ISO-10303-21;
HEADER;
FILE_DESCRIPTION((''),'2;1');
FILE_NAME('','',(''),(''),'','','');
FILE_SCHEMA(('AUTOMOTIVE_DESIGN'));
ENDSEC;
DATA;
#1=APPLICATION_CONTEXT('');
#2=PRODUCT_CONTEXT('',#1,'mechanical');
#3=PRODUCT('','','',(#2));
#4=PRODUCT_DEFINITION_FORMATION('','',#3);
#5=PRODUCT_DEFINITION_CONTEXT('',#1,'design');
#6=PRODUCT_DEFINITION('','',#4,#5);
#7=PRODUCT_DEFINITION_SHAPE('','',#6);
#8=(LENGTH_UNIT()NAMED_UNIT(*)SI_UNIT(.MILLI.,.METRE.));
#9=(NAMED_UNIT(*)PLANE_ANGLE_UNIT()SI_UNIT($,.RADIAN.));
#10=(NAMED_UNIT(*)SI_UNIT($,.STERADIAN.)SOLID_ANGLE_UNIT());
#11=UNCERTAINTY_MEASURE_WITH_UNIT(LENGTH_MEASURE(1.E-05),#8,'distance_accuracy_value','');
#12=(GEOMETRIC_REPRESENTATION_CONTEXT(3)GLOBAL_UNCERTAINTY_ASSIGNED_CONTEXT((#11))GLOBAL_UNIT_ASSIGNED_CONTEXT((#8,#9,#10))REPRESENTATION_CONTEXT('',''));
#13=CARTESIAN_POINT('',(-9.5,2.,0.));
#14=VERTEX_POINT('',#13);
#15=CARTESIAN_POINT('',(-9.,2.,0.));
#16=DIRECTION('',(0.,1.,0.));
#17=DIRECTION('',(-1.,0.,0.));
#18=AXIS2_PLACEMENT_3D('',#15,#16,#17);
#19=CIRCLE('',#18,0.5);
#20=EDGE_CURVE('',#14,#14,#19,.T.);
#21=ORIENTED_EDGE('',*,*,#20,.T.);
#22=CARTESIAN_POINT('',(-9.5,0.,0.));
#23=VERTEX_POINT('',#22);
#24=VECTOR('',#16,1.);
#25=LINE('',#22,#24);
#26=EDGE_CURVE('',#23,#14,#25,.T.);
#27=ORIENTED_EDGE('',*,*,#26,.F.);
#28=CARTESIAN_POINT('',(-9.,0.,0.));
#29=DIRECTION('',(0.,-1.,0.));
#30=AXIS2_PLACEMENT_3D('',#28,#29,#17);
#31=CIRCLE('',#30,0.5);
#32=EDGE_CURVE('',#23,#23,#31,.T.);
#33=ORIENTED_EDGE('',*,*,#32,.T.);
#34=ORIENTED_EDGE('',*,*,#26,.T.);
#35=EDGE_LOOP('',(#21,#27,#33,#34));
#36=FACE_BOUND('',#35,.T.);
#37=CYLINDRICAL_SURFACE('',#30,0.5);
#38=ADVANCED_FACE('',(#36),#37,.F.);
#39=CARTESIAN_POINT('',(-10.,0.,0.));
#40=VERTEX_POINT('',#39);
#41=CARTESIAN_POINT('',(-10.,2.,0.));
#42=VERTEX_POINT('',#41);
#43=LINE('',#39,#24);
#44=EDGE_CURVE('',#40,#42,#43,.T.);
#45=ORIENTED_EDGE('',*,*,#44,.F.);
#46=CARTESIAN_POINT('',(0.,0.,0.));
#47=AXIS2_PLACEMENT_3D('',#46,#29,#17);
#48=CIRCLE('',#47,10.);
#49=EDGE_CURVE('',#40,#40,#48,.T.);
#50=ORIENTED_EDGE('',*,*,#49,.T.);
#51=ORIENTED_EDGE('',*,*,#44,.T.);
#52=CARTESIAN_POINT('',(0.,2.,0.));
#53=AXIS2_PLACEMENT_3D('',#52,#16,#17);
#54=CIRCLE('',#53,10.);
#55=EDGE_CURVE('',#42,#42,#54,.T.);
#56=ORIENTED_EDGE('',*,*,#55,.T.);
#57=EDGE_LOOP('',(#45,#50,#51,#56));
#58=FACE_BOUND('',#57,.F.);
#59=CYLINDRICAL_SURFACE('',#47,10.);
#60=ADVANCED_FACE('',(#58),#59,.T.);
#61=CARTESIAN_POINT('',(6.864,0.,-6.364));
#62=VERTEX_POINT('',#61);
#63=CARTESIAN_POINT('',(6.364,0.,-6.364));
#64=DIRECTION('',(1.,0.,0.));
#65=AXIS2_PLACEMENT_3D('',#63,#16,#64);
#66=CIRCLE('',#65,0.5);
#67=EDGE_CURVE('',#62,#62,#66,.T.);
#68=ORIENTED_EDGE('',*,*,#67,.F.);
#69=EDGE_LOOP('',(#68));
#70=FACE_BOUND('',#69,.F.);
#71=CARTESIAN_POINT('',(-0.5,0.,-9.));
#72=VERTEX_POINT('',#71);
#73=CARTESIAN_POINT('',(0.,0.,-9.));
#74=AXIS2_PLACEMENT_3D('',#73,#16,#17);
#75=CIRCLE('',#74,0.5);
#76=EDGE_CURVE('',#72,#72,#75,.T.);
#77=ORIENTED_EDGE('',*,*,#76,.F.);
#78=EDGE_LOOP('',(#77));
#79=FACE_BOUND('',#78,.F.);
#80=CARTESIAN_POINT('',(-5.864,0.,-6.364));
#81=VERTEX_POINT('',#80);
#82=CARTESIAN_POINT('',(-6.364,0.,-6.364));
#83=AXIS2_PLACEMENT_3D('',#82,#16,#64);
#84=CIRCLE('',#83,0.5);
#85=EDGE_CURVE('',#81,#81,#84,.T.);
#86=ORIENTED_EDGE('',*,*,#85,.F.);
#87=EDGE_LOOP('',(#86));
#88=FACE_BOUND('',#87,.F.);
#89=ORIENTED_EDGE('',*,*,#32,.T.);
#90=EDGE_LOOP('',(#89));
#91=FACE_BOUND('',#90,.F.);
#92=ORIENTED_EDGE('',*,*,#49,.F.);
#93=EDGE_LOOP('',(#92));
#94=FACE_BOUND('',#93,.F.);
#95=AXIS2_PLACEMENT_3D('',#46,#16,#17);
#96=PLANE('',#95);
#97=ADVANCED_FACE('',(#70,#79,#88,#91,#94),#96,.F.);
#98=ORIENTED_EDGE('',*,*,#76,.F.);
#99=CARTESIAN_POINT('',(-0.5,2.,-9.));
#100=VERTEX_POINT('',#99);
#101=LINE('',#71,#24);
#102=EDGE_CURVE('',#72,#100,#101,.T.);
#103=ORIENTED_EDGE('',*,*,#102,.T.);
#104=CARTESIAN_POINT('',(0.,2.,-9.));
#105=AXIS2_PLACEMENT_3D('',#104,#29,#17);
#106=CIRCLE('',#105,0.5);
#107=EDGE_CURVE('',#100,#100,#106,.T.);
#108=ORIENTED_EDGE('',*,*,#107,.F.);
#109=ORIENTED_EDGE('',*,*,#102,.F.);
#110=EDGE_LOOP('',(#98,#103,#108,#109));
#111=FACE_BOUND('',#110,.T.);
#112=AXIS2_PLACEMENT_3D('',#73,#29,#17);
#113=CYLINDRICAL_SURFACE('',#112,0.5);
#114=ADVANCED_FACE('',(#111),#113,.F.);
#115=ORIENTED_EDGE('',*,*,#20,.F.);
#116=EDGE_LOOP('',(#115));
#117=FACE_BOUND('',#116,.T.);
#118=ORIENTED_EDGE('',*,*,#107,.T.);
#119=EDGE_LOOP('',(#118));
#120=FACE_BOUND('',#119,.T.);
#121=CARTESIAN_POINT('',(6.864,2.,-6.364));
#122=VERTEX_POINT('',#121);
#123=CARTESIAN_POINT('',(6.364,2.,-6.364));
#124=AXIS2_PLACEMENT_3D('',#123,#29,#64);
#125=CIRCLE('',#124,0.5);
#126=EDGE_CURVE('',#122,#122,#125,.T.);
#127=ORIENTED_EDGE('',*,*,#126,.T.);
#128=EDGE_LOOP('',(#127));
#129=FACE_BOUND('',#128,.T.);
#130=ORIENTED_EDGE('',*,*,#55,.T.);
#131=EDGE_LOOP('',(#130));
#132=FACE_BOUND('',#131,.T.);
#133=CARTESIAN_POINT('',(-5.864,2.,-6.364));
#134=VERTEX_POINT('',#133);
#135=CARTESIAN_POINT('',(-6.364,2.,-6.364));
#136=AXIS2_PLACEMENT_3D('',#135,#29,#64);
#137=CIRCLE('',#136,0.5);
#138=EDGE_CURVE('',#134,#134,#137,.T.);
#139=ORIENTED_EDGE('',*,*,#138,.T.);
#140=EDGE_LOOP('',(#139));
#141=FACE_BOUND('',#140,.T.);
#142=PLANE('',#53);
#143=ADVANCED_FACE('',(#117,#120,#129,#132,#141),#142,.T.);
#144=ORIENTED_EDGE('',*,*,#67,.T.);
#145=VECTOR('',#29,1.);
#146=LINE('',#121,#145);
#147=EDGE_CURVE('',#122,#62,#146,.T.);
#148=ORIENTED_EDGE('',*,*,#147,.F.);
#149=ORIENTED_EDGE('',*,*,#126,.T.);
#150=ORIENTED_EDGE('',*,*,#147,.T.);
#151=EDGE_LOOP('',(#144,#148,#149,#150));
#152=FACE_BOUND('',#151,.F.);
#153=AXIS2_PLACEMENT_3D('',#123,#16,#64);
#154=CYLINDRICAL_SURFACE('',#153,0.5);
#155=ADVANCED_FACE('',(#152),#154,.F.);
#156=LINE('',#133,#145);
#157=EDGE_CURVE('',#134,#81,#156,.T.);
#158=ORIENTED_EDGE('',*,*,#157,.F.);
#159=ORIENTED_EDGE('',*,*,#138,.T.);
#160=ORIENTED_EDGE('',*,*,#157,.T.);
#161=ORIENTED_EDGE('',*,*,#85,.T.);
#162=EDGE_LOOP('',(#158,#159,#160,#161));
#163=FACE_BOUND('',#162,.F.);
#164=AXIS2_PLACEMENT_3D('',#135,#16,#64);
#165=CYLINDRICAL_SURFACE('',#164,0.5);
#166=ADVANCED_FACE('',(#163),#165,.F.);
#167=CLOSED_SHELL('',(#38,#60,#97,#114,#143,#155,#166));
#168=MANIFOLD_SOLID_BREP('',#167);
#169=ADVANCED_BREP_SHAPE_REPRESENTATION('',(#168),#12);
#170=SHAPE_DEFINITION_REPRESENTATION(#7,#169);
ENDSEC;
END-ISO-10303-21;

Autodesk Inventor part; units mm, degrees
ref_plane "YZ Plane" through (0, 0, 0) normal (1, 0, 0) x (0, 1, 0)
ref_plane "XZ Plane" through (0, 0, 0) normal (0, 1, 0) x (-1, 0, 0)
ref_plane "XY Plane" through (0, 0, 0) normal (0, 0, 1) x (1, 0, 0)
sketch "Sketch1" plane through (0, 0, 0) normal (0, 1, 0) x (-1, 0, 0)
  circle A0 centre (0, 0) radius 10
  line L0 (0, 0) -> (10, 0)
  line L1 (0, 0) -> (0, -10)
  line L2 (10, 0) -> (9, 0)
  line L3 (0, -10) -> (0, -9)
  circle A1 centre (9, 0) radius 0.5
  circle A2 centre (0, -9) radius 0.5
  dimension "d0" = 20
  dimension "d1" = 1
  dimension "d2" = 1
  dimension "d3" = 1
  dimension "d4" = 1
extrude "Extrusion1" add sketch "Sketch1" along normal blind 2 contours L0 A1 L1 A2 A0 | A0 L1 A2 L0 A1
sketch "Sketch2" plane through (0, 2, 0) normal (0, 1, 0) x (1, 0, 0)
  line L0 (0, 0) -> (-7.0711, 7.0711)
  circle A0 centre (0, 0) radius 10 projected
  line L1 (0, 0) -> (10, 0) construction
  line L2 (-7.0711, 7.0711) -> (-6.364, 6.364)
  circle A1 centre (-6.364, 6.364) radius 0.5
  dimension "d7" = 135
  dimension "d8" = 1
  dimension "d9" = 1
extrude "Extrusion2" cut sketch "Sketch2" against normal blind 10 contours A1 L0 | L0 A1
sketch "Sketch3" plane through (0, 2, 0) normal (0, 1, 0) x (1, 0, 0)
  line L0 (0, 0) -> (7.0711, 7.0711)
  line L1 (0, 0) -> (10, 0) construction
  line L2 (7.0711, 7.0711) -> (6.364, 6.364)
  circle A0 centre (6.364, 6.364) radius 0.5
  dimension "d12" = 10
  dimension "d13" = 45
  dimension "d14" = 1
  dimension "d15" = 1
extrude "Extrusion3" cut sketch "Sketch3" against normal blind 10
properties part number "drum"
